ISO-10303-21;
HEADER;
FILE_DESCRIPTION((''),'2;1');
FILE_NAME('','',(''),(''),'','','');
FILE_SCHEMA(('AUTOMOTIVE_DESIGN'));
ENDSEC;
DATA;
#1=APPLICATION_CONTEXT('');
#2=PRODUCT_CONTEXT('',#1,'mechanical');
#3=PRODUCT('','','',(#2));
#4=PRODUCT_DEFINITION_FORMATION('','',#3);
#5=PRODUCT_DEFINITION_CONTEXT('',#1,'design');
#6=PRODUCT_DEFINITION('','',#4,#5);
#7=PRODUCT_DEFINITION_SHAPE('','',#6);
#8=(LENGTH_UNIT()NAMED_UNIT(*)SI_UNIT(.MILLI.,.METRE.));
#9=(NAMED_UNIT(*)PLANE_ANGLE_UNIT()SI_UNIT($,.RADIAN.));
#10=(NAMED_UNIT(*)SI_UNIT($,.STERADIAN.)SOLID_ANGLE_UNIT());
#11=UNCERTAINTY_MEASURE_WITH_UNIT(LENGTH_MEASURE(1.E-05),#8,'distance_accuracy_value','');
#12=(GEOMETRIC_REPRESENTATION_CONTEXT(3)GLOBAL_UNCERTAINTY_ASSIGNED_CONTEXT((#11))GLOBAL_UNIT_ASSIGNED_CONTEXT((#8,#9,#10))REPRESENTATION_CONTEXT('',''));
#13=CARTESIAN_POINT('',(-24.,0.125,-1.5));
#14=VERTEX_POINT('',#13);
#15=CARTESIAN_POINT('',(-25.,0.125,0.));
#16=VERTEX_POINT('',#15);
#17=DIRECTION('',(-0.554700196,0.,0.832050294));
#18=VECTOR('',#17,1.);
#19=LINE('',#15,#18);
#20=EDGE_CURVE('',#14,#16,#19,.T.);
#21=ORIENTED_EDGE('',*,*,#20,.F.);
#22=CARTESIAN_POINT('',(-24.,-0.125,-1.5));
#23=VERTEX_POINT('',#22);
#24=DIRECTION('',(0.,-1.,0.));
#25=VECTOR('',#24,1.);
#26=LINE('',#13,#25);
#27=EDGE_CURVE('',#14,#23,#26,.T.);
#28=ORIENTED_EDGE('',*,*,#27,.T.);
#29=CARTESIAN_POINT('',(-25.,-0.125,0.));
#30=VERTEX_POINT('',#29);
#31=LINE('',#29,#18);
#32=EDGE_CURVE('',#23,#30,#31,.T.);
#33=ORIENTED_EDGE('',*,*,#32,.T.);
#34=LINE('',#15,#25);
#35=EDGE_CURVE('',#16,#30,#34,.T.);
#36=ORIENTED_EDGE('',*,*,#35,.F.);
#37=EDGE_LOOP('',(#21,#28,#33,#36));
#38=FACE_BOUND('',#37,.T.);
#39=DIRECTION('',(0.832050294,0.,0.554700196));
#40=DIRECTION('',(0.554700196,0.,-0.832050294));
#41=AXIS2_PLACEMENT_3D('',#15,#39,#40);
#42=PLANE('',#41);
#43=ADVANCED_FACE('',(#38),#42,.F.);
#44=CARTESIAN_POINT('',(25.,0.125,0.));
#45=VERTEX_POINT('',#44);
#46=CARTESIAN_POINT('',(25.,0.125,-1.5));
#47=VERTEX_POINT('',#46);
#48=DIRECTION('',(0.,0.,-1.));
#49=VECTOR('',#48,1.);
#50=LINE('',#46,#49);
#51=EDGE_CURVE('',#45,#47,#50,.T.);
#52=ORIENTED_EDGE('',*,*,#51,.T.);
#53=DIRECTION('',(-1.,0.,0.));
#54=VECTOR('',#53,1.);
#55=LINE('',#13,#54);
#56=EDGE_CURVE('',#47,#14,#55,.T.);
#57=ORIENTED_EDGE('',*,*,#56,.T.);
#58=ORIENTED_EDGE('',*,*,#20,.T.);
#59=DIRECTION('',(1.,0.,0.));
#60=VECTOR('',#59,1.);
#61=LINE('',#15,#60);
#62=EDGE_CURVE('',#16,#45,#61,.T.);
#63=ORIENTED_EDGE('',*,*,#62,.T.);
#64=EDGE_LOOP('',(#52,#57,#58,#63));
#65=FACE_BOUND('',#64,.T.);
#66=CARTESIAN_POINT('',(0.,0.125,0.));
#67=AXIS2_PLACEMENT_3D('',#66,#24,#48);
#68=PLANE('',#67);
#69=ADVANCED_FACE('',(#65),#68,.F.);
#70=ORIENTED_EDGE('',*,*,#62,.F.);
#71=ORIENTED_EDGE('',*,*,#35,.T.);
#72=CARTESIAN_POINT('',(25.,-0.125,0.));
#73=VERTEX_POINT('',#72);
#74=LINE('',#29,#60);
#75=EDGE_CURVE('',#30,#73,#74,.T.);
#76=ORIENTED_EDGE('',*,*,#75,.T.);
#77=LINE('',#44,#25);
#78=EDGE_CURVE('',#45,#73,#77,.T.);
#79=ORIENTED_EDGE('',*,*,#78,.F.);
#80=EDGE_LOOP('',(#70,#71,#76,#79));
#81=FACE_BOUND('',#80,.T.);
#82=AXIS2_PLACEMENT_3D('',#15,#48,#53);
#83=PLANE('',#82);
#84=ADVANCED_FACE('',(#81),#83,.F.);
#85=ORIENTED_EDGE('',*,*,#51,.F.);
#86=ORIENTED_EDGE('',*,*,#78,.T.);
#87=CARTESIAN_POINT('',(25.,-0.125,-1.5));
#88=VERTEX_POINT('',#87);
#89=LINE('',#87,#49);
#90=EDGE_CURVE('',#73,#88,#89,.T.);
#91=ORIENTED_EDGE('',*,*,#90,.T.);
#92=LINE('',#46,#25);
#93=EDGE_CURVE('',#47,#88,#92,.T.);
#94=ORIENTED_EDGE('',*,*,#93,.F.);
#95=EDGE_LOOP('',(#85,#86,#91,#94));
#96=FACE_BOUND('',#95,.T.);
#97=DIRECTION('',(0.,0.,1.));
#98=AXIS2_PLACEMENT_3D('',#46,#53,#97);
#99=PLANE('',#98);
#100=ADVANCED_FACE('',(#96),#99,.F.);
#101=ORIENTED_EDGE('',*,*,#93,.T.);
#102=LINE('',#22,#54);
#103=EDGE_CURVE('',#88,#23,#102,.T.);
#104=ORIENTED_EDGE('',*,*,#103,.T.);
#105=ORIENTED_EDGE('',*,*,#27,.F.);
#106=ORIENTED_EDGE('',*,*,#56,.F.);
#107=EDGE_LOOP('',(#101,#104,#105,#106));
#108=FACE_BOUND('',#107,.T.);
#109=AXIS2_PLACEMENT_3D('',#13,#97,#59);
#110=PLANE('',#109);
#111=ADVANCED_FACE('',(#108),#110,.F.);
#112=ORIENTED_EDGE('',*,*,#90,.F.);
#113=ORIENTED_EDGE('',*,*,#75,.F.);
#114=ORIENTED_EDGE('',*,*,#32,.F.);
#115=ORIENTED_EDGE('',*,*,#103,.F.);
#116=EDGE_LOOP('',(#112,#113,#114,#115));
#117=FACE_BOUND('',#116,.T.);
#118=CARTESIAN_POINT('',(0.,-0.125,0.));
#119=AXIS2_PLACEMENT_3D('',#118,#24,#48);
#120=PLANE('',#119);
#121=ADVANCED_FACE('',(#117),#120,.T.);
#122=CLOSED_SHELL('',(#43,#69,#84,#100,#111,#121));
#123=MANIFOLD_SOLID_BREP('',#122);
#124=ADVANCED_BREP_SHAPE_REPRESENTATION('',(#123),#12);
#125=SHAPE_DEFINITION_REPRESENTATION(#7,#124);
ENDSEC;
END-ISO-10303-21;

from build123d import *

# Parameters (mm, degrees)
BOSS_EXTRUDE1_DEPTH = 0.125


with BuildPart() as part:
    # Sketch1 → Boss-Extrude1 (new, symmetric)
    with BuildSketch(Plane(origin=(0, 0, 0), x_dir=(1, 0, 0), z_dir=(0, 1, 0))):
        Polygon((-25, 0), (25, 0), (25, 1.5), (-24, 1.5), align=None)
    extrude(amount=BOSS_EXTRUDE1_DEPTH, both=True)


solid = part.part
